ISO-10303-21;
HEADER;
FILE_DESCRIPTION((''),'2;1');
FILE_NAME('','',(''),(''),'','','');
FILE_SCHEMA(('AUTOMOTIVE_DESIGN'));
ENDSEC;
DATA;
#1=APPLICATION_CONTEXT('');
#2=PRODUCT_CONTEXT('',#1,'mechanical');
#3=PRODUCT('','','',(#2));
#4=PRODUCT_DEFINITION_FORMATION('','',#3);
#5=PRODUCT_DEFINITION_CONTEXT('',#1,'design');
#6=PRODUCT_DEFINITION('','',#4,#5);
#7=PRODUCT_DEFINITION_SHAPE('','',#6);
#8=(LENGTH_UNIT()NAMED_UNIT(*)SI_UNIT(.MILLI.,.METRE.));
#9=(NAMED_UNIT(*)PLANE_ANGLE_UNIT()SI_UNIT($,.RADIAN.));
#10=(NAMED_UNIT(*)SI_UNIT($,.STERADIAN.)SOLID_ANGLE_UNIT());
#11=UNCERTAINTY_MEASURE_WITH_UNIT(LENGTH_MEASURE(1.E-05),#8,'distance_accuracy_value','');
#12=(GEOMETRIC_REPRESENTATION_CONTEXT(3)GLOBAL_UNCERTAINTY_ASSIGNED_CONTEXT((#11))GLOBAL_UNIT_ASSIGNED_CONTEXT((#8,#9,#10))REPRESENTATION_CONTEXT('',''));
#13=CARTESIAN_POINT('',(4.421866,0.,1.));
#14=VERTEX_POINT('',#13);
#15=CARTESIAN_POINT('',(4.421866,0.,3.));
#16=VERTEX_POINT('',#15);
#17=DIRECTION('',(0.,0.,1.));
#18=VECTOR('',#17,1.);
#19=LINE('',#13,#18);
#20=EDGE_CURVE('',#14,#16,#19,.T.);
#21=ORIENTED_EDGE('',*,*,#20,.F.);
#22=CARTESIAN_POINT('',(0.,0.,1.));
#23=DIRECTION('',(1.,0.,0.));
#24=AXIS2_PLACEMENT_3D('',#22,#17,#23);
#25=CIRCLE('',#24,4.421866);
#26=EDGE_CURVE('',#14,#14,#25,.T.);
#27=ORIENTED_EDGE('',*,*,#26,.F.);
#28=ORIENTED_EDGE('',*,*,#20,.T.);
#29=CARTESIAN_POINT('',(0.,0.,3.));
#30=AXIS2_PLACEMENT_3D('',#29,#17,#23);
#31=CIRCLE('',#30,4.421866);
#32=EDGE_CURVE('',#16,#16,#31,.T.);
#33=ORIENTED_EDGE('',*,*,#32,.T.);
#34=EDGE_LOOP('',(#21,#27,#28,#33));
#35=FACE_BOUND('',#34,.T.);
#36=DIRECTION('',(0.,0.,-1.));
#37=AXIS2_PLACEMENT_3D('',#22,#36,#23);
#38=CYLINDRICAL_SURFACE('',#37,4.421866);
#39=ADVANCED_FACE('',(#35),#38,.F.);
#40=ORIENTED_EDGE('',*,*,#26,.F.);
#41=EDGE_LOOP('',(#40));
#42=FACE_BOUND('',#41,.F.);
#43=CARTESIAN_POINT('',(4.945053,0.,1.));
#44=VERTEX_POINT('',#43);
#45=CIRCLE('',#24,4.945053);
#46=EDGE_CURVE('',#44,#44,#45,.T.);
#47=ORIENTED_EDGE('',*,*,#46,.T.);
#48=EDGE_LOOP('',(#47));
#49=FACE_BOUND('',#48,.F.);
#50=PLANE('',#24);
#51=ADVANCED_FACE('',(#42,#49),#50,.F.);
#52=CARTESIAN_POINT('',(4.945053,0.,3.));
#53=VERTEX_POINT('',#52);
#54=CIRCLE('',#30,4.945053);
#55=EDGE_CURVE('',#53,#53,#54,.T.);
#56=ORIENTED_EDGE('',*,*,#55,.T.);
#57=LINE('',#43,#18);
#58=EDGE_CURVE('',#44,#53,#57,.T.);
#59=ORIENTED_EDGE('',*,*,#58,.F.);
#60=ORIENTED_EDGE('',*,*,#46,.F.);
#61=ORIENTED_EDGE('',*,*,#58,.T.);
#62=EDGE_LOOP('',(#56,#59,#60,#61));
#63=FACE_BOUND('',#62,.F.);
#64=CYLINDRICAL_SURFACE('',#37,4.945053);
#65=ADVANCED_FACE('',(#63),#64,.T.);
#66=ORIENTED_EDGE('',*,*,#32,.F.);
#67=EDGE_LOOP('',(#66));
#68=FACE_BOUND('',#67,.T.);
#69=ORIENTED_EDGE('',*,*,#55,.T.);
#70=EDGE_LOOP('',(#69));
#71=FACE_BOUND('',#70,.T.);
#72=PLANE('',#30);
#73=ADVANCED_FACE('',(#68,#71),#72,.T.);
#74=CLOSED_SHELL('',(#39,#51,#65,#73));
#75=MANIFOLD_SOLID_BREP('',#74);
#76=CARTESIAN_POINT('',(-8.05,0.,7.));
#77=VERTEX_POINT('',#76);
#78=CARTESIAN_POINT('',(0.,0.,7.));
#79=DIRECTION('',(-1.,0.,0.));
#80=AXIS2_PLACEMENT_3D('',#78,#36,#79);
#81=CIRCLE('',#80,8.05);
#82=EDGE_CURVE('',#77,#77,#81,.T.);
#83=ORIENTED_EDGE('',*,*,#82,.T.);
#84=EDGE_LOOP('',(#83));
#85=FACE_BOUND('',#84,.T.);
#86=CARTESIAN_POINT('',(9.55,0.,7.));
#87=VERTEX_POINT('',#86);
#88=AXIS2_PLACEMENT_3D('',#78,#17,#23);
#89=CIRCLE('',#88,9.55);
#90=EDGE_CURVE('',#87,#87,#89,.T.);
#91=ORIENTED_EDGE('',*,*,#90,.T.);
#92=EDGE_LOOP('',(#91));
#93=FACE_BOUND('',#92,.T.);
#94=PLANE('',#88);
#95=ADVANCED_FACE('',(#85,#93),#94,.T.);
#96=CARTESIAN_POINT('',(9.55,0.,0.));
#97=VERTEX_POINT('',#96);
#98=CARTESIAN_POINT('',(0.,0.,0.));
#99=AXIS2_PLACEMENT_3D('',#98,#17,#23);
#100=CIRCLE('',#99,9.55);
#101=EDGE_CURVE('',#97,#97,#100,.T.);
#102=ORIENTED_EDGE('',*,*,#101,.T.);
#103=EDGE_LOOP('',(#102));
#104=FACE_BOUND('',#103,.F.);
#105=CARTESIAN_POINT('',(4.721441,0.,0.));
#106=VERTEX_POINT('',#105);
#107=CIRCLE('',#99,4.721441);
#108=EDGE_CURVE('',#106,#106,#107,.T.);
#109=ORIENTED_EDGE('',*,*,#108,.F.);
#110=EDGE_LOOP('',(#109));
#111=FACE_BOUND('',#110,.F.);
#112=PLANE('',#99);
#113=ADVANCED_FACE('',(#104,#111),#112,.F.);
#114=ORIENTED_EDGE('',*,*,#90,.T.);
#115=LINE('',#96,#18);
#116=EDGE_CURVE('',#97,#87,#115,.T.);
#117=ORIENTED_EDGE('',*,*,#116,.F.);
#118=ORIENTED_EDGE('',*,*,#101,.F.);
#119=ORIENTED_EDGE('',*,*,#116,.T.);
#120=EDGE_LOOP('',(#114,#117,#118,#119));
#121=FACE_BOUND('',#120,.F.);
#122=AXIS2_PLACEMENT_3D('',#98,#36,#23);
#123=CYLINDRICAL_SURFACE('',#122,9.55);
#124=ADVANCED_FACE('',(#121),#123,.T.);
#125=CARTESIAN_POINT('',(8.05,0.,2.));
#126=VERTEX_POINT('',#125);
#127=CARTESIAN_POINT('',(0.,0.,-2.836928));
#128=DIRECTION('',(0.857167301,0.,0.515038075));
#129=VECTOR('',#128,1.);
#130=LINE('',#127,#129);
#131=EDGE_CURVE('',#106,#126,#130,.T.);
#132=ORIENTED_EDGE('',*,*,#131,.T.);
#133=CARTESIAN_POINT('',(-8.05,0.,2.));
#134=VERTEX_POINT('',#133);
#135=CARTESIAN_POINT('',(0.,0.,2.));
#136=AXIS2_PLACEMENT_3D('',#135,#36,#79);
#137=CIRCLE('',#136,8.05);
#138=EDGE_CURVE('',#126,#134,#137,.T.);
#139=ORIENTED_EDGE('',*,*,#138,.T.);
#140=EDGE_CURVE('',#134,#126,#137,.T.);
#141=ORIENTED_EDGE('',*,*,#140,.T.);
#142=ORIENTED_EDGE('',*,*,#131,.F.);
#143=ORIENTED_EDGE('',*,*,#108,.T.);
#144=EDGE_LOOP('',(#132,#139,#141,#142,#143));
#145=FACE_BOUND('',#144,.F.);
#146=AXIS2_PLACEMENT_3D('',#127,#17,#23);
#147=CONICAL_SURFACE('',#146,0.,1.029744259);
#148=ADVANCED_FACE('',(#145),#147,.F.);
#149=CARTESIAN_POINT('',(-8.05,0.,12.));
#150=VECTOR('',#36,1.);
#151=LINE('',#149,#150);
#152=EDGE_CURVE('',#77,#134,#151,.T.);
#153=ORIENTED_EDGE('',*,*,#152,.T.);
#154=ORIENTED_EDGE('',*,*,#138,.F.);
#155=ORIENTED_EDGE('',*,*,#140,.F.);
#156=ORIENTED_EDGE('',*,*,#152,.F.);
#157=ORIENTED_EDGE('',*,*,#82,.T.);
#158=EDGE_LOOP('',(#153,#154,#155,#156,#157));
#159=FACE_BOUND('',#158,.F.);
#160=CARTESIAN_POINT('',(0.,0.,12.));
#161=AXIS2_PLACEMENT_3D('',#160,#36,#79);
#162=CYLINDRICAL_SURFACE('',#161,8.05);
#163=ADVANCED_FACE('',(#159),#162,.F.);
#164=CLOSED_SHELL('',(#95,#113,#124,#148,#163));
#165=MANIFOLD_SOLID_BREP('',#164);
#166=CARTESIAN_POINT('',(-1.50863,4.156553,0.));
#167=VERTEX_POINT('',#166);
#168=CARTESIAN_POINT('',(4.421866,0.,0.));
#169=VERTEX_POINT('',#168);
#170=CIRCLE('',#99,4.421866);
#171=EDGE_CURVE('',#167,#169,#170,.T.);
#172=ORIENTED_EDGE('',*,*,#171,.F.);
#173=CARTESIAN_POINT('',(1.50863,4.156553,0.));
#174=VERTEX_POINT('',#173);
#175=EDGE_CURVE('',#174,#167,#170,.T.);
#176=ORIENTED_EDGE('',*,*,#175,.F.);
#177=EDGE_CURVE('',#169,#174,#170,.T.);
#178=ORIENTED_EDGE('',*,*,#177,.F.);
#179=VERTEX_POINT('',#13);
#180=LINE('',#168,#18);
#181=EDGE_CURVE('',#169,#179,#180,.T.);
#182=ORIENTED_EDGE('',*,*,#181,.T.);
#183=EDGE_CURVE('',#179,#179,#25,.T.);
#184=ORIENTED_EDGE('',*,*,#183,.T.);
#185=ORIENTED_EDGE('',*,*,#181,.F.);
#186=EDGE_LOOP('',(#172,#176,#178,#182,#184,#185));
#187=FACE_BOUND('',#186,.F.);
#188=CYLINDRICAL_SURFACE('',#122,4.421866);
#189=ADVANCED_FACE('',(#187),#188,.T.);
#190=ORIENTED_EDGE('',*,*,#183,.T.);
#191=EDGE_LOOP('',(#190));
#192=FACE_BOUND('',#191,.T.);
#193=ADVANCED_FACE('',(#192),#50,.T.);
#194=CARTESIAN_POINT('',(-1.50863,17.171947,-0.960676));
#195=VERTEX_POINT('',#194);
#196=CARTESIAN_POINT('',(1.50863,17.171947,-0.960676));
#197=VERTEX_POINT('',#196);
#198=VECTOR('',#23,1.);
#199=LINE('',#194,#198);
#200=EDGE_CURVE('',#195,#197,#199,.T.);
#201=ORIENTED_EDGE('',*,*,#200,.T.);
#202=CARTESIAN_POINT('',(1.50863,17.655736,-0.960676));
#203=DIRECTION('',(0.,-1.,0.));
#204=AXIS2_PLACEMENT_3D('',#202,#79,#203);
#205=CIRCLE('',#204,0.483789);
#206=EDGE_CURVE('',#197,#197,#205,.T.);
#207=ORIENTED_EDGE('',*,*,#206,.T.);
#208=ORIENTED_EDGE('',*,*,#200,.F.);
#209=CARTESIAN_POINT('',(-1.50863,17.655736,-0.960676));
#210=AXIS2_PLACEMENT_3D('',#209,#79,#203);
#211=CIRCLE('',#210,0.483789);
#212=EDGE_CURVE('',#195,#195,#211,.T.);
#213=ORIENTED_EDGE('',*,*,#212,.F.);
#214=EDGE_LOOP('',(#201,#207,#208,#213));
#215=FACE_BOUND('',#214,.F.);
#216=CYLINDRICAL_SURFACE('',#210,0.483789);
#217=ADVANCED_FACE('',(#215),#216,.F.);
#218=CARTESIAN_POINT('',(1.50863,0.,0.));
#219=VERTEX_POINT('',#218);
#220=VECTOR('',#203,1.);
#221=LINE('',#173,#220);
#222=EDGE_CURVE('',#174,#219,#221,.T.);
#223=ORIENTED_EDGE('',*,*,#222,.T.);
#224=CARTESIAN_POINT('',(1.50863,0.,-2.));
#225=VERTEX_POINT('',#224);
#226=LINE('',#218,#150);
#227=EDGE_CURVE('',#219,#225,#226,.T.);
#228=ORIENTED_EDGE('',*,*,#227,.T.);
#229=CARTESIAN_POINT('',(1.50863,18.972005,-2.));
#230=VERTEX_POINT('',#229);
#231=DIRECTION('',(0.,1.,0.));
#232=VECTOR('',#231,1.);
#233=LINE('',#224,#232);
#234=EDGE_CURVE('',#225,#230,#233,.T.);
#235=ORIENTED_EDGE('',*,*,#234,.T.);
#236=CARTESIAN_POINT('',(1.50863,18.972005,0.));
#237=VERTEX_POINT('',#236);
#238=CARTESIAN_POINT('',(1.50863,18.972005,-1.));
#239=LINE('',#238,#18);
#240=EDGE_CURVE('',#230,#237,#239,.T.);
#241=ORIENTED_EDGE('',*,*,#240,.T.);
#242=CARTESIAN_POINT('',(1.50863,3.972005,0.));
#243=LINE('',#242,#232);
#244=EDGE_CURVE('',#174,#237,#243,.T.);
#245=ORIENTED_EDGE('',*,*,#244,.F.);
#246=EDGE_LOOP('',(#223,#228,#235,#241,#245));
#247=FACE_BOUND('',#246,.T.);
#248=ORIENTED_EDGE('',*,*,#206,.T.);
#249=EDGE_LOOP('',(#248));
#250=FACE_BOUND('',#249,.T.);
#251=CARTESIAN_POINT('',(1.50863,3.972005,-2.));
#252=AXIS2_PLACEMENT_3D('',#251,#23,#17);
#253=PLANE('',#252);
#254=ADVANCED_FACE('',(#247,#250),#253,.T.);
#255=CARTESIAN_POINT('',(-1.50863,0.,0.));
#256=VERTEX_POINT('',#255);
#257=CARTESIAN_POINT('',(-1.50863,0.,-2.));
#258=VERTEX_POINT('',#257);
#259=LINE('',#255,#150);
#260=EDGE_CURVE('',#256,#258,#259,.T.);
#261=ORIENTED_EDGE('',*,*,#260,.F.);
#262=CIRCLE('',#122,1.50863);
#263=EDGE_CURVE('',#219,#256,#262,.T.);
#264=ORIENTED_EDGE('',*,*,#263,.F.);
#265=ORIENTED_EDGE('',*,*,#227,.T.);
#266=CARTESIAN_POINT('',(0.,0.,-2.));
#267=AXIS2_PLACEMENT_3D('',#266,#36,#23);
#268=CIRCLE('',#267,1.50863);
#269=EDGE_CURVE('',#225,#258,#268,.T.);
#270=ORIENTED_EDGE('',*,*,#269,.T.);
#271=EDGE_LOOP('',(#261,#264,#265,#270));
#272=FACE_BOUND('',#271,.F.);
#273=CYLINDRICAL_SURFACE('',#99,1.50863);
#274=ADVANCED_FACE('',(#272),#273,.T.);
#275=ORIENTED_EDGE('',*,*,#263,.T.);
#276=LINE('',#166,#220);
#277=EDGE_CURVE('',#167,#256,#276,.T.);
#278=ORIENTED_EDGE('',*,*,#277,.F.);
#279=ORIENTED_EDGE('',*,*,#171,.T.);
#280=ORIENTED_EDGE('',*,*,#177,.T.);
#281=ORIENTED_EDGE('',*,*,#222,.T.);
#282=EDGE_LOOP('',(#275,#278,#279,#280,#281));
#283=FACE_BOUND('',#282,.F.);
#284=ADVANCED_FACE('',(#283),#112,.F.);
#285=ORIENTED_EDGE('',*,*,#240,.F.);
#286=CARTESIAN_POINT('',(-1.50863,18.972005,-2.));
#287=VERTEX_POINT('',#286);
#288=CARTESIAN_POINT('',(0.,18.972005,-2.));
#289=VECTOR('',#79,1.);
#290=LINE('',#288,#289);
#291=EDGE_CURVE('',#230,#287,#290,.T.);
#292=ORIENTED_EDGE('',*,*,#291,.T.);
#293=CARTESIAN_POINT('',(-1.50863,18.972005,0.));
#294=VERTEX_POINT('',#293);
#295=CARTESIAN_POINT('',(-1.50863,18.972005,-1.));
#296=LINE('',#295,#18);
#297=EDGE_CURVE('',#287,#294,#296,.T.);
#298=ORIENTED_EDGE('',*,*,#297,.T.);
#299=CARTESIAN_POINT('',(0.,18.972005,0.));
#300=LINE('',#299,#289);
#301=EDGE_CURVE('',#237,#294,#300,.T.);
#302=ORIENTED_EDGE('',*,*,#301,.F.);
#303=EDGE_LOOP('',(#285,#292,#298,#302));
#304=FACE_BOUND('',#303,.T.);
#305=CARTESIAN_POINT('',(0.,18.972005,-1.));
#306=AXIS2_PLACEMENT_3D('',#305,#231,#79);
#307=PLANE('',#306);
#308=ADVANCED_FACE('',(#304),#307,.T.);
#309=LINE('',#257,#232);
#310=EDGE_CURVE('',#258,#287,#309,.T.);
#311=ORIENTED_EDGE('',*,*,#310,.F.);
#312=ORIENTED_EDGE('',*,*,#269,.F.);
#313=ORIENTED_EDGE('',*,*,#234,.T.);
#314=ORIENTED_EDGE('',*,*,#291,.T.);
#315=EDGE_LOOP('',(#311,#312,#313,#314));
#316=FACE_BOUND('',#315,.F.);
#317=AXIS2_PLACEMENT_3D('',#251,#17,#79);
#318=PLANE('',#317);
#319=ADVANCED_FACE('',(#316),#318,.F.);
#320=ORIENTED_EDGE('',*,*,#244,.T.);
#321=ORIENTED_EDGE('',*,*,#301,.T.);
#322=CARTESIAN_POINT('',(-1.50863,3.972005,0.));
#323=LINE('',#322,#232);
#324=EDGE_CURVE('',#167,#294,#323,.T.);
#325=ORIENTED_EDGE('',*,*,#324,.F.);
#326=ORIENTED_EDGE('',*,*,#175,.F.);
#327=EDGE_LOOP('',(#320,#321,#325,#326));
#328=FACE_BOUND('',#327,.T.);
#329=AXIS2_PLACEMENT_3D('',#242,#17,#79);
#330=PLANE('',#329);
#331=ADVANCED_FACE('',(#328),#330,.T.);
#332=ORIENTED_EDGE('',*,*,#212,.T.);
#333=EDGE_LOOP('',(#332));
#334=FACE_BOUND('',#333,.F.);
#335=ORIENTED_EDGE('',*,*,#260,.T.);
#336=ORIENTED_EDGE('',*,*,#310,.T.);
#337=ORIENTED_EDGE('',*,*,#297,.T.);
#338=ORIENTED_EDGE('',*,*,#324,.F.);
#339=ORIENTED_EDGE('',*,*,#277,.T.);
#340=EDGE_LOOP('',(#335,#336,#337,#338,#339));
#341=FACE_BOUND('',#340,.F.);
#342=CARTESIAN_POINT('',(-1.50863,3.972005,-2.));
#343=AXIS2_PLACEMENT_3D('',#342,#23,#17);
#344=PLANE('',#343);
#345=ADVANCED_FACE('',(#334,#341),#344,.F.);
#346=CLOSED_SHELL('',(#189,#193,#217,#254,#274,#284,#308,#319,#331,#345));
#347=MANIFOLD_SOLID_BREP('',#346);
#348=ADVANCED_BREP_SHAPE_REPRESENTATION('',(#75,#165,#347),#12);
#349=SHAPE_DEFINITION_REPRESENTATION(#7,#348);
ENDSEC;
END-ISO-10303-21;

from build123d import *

# Parameters (mm, degrees)
F0_R      = 9.55
F1_DEPTH  = 7
F3_D      = 16.1
F3_DEPTH  = 5
F3_TIP    = 4.8369279832
F4_R      = 4.4218662577
F5_DEPTH  = 1
F6_R      = 4.9450532924
F6_R_2    = 4.4218662577
F7_DEPTH  = 2
F9_DEPTH  = 2
F10_W     = 3.0172600184
F10_H     = 2
F11_DEPTH = 15
F13_R     = 0.4837890582
F14_DEPTH = 25


with BuildPart() as f1:
    # F0 (on Top) → F1 (new body)
    with BuildSketch(Plane.XY):
        Circle(F0_R)
    extrude(amount=F1_DEPTH)

    # F3
    with Locations(Plane.XY.offset(7)):
        with Locations((0, 0)):
            Hole(F3_D / 2, depth=F3_DEPTH)
            with Locations((0, 0, -(F3_DEPTH + F3_TIP / 2))):  # 118° drill point
                Cone(0, F3_D / 2, F3_TIP, mode=Mode.SUBTRACT)


with BuildPart() as f5:
    # F4 (on Top) → F5 (new body)
    with BuildSketch(Plane.XY):
        Circle(F4_R)
    extrude(amount=F5_DEPTH)

    # F8 (on face) → F9 (join)
    with BuildSketch(Plane(origin=(0, 0, 0), x_dir=(1, 0, 0), z_dir=(0, 0, -1))):
        with BuildLine():
            ThreePointArc((-1.5086300092, 0), (0, -1.5086300092), (1.5086300092, 0))
            ThreePointArc((1.5086300092, 0), (0, 1.5086300092), (-1.5086300092, 0))
        make_face()
        with BuildLine():
            Line((1.5086300092, -3.9720046334), (1.5086300092, 0))
            ThreePointArc((1.5086300092, 0), (0, -1.5086300092), (-1.5086300092, 0))
            Line((-1.5086300092, 0), (-1.5086300092, -3.9720046334))
            Line((-1.5086300092, -3.9720046334), (1.5086300092, -3.9720046334))
        make_face()
    extrude(amount=F9_DEPTH)


with BuildPart() as f7:
    # F6 (on face) → F7 (new body)
    with BuildSketch(Plane.XY.offset(1)):
        Circle(F6_R)
        Circle(F6_R_2, mode=Mode.SUBTRACT)
    extrude(amount=F7_DEPTH)


with BuildPart() as f11:
    # F10 (on face) → F11 (new body)
    with BuildSketch(Plane(origin=(0, 3.9720046334, 0), x_dir=(-1, 0, 0), z_dir=(0, 1, 0))):
        with Locations((0, -1)):
            Rectangle(F10_W, F10_H)
    extrude(amount=F11_DEPTH)


with BuildPart() as f5_1:
    add(f5.part)

    # F12: union F11, F7
    add(f11.part)
    add(f7.part)

    # F13 (on face) → F14 (cut)
    with BuildSketch(Plane(origin=(-1.5086300092, 0, 0), x_dir=(0, -1, 0), z_dir=(-1, 0, 0))):
        with Locations((-17.6557358354, -0.9606761741)):
            Circle(F13_R)
    extrude(amount=-F14_DEPTH, mode=Mode.SUBTRACT)


solid = Compound([f1.part, f5_1.part])
